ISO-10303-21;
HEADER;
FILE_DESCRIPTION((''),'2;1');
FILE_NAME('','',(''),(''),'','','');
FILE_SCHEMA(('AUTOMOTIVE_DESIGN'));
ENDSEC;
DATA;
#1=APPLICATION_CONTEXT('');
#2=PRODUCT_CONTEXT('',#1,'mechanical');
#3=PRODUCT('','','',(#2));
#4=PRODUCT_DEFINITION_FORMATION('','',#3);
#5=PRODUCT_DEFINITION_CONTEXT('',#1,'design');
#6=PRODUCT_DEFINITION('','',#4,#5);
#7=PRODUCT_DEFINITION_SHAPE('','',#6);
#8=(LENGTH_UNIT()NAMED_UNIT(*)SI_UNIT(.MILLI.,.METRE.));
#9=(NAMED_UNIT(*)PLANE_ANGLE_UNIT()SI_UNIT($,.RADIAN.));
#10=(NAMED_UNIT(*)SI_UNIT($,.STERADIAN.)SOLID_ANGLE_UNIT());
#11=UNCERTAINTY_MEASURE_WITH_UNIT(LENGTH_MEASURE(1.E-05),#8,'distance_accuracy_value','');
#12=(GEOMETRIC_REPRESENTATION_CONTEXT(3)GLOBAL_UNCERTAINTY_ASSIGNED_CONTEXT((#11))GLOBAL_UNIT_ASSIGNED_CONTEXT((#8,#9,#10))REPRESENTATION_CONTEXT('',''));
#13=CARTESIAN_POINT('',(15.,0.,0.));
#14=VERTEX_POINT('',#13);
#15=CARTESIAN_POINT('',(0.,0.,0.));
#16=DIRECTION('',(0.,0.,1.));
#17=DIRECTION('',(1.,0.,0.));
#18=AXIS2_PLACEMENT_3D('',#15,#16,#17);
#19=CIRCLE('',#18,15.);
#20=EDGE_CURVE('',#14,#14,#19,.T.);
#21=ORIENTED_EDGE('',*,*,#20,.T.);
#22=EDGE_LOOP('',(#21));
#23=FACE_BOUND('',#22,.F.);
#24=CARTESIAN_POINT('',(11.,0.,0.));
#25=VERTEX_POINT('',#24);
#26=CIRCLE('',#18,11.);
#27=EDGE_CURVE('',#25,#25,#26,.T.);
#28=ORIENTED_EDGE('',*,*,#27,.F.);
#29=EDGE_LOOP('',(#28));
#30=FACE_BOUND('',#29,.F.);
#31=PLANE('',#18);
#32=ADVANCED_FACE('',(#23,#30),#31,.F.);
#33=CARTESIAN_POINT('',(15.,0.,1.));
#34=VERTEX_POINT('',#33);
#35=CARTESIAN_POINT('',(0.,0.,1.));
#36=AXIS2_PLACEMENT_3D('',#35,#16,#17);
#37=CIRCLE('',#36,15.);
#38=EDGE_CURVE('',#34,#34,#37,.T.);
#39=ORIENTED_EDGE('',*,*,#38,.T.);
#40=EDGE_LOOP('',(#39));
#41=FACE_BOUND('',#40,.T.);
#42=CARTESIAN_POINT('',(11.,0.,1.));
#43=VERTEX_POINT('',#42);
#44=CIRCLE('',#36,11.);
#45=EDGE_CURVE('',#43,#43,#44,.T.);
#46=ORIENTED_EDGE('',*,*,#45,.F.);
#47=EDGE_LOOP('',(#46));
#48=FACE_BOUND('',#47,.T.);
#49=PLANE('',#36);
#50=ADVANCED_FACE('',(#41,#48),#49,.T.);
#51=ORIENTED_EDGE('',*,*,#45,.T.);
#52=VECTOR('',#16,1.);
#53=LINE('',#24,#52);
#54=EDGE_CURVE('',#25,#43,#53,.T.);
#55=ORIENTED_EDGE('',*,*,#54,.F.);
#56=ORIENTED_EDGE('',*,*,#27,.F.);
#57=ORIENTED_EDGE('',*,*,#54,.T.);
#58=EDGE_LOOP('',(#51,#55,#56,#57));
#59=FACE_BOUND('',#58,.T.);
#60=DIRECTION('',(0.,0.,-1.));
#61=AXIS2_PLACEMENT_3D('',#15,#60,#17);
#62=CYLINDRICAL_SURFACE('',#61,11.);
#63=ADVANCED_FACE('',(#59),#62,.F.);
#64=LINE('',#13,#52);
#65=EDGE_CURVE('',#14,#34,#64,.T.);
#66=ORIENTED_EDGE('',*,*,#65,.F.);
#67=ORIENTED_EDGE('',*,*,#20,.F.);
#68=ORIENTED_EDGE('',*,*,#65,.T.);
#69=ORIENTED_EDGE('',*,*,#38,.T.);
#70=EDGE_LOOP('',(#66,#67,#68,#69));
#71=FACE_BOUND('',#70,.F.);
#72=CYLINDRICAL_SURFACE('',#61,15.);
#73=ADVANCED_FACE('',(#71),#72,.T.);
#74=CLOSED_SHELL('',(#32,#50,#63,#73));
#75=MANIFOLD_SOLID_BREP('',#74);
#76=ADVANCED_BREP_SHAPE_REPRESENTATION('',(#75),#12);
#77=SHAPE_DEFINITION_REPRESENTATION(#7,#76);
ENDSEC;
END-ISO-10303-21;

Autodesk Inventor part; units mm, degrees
ref_plane "YZ Plane" through (0, 0, 0) normal (1, 0, 0) x (0, 1, 0)
ref_plane "XZ Plane" through (0, 0, 0) normal (0, 1, 0) x (-1, 0, 0)
ref_plane "XY Plane" through (0, 0, 0) normal (0, 0, 1) x (1, 0, 0)
sketch "スケッチ1" plane through (0, 0, 0) normal (0, 0, 1) x (1, 0, 0)
  circle A0 centre (0, 0) radius 11
  circle A1 centre (0, 0) radius 15
  dimension "d0" = 22
  dimension "d1" = 30
extrude "押し出し1" add sketch "スケッチ1" along normal blind 1
properties part number "CC-2230-10B"
